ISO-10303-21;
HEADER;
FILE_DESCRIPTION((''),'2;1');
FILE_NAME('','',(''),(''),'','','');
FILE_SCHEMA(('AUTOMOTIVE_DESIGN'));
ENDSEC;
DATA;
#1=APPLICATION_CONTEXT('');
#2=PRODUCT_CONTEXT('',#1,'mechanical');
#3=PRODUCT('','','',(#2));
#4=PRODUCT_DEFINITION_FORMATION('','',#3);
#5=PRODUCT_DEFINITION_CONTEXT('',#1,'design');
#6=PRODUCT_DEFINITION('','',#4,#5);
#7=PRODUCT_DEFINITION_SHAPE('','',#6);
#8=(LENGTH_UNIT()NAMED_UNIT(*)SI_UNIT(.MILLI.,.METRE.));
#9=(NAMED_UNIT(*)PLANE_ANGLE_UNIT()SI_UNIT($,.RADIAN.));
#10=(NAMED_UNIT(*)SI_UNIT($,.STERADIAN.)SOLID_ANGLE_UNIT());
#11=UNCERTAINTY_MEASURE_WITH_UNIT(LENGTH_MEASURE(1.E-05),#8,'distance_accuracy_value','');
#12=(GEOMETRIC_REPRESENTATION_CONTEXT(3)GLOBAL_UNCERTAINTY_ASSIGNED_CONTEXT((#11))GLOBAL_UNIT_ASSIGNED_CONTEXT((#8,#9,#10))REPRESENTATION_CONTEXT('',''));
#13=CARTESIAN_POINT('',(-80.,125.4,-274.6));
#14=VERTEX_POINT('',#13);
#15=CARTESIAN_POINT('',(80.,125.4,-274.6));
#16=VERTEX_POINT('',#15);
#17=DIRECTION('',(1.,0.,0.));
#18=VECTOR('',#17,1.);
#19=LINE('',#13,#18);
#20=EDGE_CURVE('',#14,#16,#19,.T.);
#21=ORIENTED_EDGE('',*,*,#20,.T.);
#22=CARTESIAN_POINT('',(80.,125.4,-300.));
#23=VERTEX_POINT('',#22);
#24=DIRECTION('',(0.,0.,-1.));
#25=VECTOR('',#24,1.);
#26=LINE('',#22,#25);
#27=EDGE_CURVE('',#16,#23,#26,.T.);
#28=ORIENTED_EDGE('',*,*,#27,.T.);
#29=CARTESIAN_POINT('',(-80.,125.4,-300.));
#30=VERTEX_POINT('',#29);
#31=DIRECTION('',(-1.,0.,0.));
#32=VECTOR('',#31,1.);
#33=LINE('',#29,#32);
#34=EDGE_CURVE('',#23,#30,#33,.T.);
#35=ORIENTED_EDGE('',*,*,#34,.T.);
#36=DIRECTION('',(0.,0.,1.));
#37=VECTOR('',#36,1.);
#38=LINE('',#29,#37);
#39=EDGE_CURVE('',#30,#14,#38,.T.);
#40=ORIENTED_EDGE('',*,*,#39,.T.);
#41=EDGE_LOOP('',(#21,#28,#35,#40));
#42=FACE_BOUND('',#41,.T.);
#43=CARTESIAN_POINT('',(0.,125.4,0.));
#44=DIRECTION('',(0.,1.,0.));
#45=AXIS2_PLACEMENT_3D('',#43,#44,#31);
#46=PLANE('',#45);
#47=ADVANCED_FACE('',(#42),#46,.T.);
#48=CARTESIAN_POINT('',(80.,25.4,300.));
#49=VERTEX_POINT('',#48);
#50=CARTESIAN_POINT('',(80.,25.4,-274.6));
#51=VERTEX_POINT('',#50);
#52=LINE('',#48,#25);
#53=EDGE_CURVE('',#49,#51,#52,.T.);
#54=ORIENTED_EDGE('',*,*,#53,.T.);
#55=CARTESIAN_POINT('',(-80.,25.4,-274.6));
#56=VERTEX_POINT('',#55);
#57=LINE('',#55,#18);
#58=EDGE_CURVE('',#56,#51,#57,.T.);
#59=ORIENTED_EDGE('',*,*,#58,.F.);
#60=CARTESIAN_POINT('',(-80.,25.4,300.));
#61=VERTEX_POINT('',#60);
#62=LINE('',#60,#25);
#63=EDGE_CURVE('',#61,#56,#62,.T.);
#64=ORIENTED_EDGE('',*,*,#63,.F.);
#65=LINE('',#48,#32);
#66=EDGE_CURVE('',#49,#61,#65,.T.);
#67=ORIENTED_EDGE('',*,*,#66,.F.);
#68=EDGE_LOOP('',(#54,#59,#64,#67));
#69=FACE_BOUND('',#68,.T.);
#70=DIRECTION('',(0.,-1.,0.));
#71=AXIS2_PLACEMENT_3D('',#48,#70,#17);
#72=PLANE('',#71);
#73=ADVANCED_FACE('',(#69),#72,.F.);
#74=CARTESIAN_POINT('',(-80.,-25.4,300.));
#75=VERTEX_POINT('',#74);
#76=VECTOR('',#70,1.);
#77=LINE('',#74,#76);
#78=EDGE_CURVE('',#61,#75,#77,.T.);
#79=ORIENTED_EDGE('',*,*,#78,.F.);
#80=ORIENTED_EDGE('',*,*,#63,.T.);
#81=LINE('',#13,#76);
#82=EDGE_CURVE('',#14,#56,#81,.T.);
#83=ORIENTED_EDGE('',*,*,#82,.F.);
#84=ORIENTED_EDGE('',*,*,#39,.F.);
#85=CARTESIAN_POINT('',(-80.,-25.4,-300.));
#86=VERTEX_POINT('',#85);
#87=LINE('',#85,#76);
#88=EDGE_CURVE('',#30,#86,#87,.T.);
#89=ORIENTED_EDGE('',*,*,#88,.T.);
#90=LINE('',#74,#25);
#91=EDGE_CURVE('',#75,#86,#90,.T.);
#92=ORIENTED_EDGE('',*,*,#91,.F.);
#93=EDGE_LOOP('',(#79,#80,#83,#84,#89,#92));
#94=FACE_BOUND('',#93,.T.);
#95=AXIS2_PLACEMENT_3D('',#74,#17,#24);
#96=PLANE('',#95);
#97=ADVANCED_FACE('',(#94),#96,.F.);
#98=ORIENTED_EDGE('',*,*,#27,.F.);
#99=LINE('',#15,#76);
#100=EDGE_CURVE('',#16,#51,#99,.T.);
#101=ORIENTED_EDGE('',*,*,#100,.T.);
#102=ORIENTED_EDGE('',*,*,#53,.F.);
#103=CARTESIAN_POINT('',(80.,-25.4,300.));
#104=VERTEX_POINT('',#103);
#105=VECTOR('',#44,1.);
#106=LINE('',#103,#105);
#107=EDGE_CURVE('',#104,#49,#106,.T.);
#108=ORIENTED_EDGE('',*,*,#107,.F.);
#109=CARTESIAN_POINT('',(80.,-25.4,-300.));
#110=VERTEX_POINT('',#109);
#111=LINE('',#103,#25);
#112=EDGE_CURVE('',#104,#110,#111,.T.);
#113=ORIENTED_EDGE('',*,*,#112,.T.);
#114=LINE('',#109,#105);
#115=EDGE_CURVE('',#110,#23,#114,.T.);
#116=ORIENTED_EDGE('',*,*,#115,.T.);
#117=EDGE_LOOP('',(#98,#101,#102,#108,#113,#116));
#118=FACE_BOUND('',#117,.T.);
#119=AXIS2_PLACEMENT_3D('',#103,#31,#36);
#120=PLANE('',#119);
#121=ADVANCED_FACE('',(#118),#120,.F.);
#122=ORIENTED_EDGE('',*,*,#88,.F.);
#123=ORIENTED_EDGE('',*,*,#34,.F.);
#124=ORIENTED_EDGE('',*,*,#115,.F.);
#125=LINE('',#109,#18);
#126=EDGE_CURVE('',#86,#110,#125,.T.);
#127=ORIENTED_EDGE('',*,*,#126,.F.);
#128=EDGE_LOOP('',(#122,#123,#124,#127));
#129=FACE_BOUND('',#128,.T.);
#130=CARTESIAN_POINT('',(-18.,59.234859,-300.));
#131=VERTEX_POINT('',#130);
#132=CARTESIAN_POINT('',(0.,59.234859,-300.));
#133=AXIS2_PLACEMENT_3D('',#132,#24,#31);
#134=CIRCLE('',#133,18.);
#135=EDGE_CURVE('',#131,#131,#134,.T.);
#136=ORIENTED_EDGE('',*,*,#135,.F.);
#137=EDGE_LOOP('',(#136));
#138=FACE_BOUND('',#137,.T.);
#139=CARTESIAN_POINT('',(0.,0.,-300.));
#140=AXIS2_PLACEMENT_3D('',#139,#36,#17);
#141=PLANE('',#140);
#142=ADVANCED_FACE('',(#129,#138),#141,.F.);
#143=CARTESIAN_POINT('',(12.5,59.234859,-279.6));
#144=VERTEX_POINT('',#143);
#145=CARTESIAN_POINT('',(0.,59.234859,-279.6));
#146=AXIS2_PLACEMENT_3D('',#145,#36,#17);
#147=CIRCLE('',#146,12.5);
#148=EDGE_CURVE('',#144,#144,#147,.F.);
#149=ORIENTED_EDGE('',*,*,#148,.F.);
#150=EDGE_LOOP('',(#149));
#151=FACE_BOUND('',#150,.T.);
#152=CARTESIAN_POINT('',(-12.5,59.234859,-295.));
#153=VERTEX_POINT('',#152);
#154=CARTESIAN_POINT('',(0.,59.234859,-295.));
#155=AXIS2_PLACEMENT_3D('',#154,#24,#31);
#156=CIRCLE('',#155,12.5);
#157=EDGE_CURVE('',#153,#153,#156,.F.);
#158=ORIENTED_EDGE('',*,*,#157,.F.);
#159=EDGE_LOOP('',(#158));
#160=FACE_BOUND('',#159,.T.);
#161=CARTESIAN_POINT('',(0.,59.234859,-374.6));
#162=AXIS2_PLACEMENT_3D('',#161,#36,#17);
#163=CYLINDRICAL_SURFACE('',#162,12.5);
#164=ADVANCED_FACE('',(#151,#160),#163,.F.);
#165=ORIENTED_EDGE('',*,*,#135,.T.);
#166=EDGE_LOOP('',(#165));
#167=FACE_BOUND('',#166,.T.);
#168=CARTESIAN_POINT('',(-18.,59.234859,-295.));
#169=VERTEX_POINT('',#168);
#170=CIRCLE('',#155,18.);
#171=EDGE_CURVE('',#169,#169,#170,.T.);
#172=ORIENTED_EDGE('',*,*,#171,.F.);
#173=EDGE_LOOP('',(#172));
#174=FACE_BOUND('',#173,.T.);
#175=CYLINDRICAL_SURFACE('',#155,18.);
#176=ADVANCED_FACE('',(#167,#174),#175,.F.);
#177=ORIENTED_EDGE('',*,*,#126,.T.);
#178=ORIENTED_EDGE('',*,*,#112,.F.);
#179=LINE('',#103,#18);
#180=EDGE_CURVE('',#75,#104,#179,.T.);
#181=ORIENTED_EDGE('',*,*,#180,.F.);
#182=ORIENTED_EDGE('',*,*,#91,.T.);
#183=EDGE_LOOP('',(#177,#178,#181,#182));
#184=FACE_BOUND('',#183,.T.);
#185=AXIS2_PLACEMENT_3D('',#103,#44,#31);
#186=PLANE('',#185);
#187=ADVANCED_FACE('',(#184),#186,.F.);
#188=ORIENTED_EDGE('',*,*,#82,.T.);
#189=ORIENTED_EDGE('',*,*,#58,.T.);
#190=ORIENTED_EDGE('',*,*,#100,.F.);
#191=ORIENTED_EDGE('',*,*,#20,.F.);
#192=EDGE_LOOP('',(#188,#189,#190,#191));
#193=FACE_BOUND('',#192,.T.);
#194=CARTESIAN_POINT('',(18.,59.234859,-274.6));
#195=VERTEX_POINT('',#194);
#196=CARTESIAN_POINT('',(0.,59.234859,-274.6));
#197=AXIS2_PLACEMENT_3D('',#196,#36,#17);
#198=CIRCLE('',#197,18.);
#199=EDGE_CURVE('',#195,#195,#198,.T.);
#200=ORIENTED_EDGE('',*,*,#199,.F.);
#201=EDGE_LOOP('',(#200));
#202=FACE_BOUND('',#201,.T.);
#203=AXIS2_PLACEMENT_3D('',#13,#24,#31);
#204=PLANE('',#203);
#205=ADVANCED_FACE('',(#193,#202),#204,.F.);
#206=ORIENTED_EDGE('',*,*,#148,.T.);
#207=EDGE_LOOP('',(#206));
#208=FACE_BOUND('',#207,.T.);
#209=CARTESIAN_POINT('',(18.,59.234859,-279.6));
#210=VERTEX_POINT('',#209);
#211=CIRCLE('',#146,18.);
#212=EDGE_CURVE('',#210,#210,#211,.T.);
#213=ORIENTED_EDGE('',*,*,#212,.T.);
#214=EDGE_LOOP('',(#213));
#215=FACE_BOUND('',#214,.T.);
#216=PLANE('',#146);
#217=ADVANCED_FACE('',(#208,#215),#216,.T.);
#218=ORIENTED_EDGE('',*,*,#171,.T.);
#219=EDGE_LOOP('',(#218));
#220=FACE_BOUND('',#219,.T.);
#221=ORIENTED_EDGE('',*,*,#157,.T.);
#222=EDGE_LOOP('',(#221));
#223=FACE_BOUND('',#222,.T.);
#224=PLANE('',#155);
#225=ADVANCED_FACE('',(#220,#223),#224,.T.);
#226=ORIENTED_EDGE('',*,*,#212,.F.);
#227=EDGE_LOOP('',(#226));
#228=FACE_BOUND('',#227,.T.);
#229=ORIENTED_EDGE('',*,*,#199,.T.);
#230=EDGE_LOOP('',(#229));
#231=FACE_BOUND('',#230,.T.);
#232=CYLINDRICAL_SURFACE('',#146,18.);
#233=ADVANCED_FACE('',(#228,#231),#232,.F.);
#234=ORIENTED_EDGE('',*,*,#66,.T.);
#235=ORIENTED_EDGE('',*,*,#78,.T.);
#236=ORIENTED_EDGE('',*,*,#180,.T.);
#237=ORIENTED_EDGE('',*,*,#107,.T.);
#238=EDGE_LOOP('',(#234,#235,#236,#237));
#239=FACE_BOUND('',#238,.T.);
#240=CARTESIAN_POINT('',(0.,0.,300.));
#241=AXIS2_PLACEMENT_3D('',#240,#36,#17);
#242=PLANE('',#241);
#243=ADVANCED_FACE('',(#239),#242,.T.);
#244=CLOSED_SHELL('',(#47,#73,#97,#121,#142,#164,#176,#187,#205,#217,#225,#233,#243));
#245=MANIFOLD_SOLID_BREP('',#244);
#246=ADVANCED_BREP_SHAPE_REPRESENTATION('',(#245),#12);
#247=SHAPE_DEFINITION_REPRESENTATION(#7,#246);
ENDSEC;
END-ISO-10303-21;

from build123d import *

# Parameters (mm, degrees)
CROQUIS1_W              = 160
CROQUIS1_H              = 50.8
SALIENTE_EXTRUIR1_DEPTH = 300
CROQUIS2_W              = 160
CROQUIS2_H              = 25.4
SALIENTE_EXTRUIR2_DEPTH = 100
CROQUIS3_R              = 12.5
CORTAR_EXTRUIR1_DEPTH   = 100
CROQUIS4_R              = 18
CORTAR_EXTRUIR2_DEPTH   = 5
CORTAR_EXTRUIR3_START   = -5
CROQUIS5_R              = 18
CORTAR_EXTRUIR3_DEPTH   = 5


with BuildPart() as part:
    # Croquis1 → Saliente-Extruir1 (new, symmetric)
    with BuildSketch(Plane.XY):
        Rectangle(CROQUIS1_W, CROQUIS1_H)
    extrude(amount=SALIENTE_EXTRUIR1_DEPTH, both=True)

    # Croquis2 → Saliente-Extruir2 (add)
    with BuildSketch(Plane(origin=(0, 25.4, 0), x_dir=(1, 0, 0), z_dir=(0, 1, 0))):
        with Locations((0, 287.3)):
            Rectangle(CROQUIS2_W, CROQUIS2_H)
    extrude(amount=SALIENTE_EXTRUIR2_DEPTH)

    # Croquis3 → Cortar-Extruir1 (cut)
    with BuildSketch(Plane.XY.offset(-274.6)):
        with Locations((0, 59.234859244)):
            Circle(CROQUIS3_R)
    extrude(amount=-CORTAR_EXTRUIR1_DEPTH, mode=Mode.SUBTRACT)

    # Croquis4 → Cortar-Extruir2 (cut)
    with BuildSketch(Plane.XY.offset(-274.6)):
        with Locations((0, 59.234859244)):
            Circle(CROQUIS4_R)
    extrude(amount=-CORTAR_EXTRUIR2_DEPTH, mode=Mode.SUBTRACT)

    # Croquis5 → Cortar-Extruir3 (cut)
    with BuildSketch(Plane(origin=(0, 0, -300), x_dir=(-1, 0, 0), z_dir=(0, 0, -1)).offset(CORTAR_EXTRUIR3_START)):
        with Locations(Location((0, 59.234859244, 0), (0, 0, 180))):
            Circle(CROQUIS5_R)
    extrude(amount=CORTAR_EXTRUIR3_DEPTH, mode=Mode.SUBTRACT)


solid = part.part
